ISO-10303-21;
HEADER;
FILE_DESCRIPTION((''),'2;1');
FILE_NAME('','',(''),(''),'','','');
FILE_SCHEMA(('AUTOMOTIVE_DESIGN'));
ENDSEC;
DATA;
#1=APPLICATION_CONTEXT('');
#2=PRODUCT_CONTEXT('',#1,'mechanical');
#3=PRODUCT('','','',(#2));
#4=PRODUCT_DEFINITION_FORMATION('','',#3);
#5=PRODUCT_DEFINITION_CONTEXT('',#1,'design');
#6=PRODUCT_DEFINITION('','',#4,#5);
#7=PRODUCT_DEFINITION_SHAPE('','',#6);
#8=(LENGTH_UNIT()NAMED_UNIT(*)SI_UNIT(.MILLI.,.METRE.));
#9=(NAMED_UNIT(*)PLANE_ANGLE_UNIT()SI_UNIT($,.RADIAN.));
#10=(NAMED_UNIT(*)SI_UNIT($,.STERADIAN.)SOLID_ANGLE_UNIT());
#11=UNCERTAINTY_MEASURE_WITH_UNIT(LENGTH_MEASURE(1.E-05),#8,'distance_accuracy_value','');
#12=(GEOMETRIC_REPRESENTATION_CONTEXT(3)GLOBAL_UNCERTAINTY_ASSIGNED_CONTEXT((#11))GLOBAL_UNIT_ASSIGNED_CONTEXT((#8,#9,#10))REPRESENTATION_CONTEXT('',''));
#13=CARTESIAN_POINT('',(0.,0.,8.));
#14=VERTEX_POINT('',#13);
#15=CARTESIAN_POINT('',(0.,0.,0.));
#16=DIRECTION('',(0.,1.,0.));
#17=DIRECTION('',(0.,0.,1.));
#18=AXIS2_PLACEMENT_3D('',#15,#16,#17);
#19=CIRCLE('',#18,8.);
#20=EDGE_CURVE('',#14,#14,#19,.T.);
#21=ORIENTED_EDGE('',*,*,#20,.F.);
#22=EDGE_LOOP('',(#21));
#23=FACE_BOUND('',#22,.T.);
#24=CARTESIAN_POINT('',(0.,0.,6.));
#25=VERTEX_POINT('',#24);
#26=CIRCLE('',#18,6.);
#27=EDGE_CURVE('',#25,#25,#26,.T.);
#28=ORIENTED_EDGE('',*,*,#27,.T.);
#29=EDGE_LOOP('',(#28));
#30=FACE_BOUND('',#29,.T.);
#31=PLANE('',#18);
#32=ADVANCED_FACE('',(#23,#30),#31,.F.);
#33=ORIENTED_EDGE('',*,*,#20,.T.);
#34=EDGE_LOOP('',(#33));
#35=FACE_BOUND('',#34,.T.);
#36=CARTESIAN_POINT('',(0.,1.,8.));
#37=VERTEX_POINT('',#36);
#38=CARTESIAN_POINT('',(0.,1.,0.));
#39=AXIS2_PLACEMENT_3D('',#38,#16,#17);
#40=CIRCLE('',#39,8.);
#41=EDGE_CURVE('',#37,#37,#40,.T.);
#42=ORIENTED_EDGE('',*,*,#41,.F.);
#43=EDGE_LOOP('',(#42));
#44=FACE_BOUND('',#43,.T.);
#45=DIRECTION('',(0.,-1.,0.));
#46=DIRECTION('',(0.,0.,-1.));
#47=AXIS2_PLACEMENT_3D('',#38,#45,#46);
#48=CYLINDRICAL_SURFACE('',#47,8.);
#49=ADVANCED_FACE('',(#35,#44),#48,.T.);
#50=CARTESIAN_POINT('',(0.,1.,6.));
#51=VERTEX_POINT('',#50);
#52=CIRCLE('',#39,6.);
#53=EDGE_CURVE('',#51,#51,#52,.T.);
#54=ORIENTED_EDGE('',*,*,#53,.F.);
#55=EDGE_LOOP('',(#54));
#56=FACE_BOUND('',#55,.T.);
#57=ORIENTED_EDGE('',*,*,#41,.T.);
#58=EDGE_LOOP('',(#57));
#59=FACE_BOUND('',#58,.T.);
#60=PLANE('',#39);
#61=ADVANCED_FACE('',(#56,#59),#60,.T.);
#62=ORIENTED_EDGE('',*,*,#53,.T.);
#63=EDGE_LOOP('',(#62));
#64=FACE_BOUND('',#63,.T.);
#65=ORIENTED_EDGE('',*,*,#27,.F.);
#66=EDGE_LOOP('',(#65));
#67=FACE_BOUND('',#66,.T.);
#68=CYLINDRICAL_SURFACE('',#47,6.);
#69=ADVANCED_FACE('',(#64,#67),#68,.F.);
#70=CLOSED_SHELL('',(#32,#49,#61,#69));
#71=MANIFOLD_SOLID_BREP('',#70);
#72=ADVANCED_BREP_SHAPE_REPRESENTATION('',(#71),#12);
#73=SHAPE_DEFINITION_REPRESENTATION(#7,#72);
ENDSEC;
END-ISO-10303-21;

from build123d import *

# Parameters (mm, degrees)
SKETCH1_R           = 8
SKETCH1_R_2         = 6
BOSS_EXTRUDE1_DEPTH = 1


with BuildPart() as part:
    # Sketch1 → Boss-Extrude1 (new body)
    with BuildSketch(Plane(origin=(0, 0, 0), x_dir=(1, 0, 0), z_dir=(0, 1, 0))):
        with Locations(Location((0, 0, 0), (0, 0, 270))):
            Circle(SKETCH1_R)
        with Locations(Location((0, 0, 0), (0, 0, 270))):
            Circle(SKETCH1_R_2, mode=Mode.SUBTRACT)
    extrude(amount=BOSS_EXTRUDE1_DEPTH)


solid = part.part
